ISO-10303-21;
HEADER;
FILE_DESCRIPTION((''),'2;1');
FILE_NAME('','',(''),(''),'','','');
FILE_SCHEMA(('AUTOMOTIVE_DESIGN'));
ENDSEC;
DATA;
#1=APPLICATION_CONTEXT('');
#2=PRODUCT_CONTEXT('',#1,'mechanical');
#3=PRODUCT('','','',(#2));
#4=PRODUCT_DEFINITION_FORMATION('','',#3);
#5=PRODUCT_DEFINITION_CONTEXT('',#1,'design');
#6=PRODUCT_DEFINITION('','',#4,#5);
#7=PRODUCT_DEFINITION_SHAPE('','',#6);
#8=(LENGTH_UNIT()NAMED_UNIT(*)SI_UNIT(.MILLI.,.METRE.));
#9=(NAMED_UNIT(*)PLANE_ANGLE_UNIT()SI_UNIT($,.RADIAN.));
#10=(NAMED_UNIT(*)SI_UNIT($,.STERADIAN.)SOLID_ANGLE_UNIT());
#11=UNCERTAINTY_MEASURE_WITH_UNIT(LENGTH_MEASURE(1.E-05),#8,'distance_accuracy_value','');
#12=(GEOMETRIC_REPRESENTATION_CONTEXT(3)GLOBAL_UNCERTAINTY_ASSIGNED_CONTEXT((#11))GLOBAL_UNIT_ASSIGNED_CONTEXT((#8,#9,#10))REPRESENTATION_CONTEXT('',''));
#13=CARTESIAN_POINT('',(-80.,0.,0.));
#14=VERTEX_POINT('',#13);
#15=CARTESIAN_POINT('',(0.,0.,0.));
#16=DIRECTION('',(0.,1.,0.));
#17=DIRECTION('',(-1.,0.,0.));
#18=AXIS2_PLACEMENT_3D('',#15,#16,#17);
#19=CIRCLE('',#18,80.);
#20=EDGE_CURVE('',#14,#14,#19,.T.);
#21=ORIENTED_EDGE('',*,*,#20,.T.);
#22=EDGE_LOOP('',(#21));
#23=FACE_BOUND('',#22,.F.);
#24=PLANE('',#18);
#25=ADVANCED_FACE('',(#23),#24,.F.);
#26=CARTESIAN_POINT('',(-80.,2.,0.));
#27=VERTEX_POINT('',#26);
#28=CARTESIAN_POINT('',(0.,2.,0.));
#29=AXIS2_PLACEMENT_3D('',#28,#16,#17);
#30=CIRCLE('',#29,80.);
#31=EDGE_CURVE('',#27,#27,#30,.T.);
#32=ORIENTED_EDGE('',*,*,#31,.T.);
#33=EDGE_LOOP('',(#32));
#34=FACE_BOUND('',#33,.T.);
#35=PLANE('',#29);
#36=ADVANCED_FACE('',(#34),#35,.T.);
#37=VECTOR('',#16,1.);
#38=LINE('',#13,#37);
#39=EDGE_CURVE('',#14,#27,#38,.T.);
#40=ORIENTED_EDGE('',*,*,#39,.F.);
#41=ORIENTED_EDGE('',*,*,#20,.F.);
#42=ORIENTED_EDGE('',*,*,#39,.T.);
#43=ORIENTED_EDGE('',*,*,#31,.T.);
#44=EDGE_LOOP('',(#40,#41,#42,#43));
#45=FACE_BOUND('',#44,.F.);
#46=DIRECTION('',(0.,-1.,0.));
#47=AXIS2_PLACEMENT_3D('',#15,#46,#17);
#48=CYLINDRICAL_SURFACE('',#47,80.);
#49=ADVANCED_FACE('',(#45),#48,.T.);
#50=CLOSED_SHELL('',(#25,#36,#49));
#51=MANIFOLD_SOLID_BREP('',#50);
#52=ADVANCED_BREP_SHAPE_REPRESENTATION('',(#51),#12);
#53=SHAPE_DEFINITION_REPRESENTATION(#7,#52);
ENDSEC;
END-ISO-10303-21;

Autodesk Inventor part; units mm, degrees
ref_plane "XZ Plane" through (0, 0, 0) normal (0, 1, 0) x (-1, 0, 0)
ref_plane "XY Plane" through (0, 0, 0) normal (0, 0, 1) x (1, 0, 0)
sketch "Sketch1" plane through (0, 0, 0) normal (0, 1, 0) x (-1, 0, 0)
  circle A0 centre (0, 0) radius 80
  dimension "d0" = 160
extrude "Extrusion1" add sketch "Sketch1" along normal blind 2
properties part number "disc2"
